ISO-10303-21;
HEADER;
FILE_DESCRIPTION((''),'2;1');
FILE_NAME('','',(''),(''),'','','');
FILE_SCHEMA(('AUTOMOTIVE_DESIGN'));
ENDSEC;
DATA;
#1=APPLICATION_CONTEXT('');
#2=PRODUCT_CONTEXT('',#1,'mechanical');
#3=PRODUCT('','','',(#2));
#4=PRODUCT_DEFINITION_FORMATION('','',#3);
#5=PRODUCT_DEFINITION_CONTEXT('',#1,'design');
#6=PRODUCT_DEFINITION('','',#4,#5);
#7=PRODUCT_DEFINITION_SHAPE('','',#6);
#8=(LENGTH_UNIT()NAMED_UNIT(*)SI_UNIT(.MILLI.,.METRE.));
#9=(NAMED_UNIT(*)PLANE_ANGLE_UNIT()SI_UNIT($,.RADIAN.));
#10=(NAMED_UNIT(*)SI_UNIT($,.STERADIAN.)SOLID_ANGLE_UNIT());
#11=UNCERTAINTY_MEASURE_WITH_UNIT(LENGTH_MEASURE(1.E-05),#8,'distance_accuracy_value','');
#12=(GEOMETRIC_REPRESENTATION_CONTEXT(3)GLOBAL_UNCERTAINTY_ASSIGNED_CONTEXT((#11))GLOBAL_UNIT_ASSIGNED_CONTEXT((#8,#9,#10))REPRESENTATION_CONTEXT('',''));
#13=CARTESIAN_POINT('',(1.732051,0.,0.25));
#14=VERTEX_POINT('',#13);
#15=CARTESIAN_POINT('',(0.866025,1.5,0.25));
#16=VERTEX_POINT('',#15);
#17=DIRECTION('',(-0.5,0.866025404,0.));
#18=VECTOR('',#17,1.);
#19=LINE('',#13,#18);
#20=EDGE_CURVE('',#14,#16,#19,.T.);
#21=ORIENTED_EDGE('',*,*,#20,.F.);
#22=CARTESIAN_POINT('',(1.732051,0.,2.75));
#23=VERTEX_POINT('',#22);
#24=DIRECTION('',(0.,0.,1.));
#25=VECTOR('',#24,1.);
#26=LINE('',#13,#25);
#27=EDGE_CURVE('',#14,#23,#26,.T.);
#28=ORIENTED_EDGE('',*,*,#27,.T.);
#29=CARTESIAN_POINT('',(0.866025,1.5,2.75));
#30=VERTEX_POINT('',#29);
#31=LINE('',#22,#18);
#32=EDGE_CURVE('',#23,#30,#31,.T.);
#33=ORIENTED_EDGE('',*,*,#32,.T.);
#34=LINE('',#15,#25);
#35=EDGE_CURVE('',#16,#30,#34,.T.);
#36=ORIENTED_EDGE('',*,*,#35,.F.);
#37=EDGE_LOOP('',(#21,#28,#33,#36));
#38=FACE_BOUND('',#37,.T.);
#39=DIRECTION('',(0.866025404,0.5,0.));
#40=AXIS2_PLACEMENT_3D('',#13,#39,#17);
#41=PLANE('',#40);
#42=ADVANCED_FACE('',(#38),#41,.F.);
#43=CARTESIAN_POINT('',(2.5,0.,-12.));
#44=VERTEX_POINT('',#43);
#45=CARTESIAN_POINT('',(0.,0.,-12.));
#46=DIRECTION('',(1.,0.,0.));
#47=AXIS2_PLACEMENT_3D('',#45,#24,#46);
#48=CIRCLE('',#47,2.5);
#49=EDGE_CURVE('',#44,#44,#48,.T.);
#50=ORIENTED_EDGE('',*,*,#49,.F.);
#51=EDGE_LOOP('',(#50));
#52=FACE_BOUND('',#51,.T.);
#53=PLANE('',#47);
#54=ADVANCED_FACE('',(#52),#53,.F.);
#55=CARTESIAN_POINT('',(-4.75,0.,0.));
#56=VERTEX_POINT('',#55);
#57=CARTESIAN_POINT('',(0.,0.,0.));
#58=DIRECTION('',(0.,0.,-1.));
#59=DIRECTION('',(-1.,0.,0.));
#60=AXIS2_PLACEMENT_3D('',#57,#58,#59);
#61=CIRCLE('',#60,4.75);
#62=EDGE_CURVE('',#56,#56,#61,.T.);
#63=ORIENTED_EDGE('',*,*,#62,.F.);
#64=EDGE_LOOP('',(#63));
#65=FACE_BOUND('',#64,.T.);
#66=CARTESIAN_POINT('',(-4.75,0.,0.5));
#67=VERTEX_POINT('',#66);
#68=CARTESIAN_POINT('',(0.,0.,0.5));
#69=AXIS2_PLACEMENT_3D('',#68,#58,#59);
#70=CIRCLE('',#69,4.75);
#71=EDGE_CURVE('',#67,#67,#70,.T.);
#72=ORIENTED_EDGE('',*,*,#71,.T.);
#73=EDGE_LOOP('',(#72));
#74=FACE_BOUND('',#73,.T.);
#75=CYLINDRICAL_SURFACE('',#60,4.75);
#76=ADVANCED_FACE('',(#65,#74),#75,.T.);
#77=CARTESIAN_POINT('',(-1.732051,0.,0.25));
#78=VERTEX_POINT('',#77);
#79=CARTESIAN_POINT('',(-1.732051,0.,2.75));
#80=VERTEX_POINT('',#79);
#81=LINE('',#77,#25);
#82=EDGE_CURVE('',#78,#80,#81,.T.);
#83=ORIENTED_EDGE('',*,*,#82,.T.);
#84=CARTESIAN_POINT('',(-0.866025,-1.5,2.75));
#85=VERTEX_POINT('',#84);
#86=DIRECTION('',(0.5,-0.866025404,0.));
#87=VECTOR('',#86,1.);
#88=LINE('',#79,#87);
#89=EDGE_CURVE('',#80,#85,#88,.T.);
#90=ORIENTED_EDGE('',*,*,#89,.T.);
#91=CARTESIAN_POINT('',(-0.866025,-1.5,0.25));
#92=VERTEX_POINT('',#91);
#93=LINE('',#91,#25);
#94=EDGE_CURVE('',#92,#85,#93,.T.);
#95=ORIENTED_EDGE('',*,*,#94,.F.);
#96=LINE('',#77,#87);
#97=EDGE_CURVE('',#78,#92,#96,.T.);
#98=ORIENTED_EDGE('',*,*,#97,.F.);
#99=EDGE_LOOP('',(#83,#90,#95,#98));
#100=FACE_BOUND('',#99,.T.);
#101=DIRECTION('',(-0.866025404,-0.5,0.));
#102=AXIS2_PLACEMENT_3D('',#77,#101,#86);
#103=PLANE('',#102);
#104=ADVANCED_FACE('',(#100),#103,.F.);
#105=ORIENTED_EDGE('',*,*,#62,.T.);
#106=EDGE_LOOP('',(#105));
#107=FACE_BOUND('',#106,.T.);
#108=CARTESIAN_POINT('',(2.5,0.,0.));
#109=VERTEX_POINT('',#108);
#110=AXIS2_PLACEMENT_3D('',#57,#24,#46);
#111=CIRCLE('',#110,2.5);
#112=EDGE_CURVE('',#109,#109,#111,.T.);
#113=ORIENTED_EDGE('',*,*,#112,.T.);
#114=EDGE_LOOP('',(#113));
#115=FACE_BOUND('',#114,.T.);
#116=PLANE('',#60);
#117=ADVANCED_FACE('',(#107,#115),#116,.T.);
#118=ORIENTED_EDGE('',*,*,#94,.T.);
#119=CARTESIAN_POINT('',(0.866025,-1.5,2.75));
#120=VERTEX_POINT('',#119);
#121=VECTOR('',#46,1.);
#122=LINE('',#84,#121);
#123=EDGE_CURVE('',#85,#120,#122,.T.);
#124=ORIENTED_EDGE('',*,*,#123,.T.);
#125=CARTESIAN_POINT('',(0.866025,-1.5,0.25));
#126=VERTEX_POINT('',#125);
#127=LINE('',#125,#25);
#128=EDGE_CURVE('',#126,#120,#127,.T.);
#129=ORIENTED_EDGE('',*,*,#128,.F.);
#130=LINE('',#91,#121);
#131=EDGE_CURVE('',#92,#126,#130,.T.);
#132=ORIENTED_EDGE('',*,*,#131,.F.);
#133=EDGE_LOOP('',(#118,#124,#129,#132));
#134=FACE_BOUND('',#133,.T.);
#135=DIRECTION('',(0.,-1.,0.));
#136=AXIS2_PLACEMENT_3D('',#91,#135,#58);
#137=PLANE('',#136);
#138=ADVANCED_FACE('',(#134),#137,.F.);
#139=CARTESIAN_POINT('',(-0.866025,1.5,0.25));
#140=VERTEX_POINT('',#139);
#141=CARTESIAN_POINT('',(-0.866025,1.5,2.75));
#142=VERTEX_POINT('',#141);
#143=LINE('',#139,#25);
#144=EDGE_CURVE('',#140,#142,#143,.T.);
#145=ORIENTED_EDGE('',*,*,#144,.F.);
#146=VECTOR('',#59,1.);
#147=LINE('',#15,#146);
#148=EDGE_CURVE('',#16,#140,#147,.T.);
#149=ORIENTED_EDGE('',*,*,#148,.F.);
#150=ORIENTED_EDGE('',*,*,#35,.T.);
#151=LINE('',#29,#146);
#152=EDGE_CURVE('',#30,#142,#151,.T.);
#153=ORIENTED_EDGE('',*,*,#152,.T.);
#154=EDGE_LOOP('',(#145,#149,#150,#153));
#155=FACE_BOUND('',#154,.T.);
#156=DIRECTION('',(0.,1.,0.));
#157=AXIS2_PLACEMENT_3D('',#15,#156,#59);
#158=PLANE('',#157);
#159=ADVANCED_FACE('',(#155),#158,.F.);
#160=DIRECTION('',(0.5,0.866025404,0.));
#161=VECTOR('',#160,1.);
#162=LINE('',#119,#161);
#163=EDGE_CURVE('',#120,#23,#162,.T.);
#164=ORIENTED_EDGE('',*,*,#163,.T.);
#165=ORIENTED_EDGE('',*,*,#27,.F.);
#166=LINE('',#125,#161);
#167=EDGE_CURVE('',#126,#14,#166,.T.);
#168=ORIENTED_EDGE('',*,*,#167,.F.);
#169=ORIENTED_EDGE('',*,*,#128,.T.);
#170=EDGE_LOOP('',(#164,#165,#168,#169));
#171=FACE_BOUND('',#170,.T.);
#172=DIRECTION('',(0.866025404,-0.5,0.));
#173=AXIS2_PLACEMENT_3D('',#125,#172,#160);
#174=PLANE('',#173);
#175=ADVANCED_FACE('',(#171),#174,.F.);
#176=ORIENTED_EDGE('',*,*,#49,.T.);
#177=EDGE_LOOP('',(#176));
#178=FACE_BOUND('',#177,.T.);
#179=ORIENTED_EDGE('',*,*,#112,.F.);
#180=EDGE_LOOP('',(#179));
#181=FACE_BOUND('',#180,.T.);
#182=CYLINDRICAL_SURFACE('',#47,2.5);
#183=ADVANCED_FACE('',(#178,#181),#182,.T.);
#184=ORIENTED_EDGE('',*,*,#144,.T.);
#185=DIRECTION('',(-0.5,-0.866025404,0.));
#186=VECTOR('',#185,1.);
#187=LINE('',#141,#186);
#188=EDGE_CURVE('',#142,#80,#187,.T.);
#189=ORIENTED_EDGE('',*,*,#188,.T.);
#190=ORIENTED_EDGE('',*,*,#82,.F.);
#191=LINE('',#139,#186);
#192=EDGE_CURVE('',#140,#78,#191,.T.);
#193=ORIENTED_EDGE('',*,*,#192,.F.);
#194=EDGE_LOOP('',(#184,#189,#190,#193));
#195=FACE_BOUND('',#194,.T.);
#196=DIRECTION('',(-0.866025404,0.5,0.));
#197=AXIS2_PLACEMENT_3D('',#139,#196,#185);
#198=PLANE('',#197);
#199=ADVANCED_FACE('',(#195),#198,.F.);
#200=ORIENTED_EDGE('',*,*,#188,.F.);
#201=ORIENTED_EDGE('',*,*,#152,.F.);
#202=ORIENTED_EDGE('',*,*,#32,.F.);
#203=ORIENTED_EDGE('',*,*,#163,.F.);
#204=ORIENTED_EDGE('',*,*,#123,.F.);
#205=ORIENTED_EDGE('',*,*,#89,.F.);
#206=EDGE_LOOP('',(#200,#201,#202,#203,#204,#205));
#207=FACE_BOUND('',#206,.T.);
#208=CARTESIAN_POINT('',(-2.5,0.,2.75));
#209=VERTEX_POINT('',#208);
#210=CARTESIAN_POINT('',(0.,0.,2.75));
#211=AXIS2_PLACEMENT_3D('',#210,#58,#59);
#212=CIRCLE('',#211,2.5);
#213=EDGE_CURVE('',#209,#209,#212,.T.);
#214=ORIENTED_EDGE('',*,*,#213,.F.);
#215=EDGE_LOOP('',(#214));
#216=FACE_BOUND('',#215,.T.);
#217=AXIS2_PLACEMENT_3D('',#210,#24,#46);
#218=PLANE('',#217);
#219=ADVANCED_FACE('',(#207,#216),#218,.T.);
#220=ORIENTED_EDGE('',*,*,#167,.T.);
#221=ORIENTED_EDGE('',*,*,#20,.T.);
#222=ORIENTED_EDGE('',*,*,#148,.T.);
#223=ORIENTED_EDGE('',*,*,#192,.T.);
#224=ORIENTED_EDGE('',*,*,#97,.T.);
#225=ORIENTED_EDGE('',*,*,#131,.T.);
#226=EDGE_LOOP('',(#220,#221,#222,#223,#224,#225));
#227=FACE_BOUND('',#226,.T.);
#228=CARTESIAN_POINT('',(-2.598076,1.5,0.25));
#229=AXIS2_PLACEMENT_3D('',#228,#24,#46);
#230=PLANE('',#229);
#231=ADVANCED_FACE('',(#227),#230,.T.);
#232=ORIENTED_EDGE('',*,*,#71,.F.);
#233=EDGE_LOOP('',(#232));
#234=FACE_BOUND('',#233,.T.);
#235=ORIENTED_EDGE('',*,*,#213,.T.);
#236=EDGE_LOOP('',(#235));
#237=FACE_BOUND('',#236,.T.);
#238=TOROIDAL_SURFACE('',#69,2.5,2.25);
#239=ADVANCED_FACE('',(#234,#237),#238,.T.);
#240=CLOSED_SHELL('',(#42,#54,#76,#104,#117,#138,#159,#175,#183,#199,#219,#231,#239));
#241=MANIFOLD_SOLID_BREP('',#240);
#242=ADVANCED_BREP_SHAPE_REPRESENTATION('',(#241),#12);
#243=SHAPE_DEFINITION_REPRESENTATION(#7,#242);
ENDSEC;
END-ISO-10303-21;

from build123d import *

# Parameters (mm, degrees)
SKETCH1_R          = 2.5
EXTRUDE1_DEPTH     = 12
CUT_EXTRUDE1_DEPTH = 2.5


with BuildPart() as part:
    # Sketch1 → Extrude1 (new body)
    with BuildSketch(Plane.XY):
        Circle(SKETCH1_R)
    extrude(amount=-EXTRUDE1_DEPTH)

    # Sketch2 → Revolve1 (revolve)
    with BuildSketch(Plane(origin=(0, 0, 0), x_dir=(0, 0, -1), z_dir=(1, 0, 0)), mode=Mode.PRIVATE) as revolve1_sk:
        with BuildLine():
            Line((0, 0), (0, 4.75))
            Line((0, 4.75), (-0.5, 4.75))
            ThreePointArc((-0.5, 4.75), (-2.090990258, 4.090990258), (-2.75, 2.5))
            Line((-2.75, 2.5), (-2.75, 0))
            Line((-2.75, 0), (0, 0))
        make_face()
    revolve(revolve1_sk.sketch.rotate(Axis((0, 0, 0), (0, 0, 1)), 90), axis=Axis((0, 0, 0), (0, 0, 1)))

    # Sketch3 → Cut-Extrude1 (cut)
    with BuildSketch(Plane.XY.offset(2.75)):
        Polygon((-0.866025404, 1.5), (-1.732050808, 0), (-0.866025404, -1.5), (0.866025404, -1.5), (1.732050808, 0), (0.866025404, 1.5), align=None)
    extrude(amount=-CUT_EXTRUDE1_DEPTH, mode=Mode.SUBTRACT)


solid = part.part
